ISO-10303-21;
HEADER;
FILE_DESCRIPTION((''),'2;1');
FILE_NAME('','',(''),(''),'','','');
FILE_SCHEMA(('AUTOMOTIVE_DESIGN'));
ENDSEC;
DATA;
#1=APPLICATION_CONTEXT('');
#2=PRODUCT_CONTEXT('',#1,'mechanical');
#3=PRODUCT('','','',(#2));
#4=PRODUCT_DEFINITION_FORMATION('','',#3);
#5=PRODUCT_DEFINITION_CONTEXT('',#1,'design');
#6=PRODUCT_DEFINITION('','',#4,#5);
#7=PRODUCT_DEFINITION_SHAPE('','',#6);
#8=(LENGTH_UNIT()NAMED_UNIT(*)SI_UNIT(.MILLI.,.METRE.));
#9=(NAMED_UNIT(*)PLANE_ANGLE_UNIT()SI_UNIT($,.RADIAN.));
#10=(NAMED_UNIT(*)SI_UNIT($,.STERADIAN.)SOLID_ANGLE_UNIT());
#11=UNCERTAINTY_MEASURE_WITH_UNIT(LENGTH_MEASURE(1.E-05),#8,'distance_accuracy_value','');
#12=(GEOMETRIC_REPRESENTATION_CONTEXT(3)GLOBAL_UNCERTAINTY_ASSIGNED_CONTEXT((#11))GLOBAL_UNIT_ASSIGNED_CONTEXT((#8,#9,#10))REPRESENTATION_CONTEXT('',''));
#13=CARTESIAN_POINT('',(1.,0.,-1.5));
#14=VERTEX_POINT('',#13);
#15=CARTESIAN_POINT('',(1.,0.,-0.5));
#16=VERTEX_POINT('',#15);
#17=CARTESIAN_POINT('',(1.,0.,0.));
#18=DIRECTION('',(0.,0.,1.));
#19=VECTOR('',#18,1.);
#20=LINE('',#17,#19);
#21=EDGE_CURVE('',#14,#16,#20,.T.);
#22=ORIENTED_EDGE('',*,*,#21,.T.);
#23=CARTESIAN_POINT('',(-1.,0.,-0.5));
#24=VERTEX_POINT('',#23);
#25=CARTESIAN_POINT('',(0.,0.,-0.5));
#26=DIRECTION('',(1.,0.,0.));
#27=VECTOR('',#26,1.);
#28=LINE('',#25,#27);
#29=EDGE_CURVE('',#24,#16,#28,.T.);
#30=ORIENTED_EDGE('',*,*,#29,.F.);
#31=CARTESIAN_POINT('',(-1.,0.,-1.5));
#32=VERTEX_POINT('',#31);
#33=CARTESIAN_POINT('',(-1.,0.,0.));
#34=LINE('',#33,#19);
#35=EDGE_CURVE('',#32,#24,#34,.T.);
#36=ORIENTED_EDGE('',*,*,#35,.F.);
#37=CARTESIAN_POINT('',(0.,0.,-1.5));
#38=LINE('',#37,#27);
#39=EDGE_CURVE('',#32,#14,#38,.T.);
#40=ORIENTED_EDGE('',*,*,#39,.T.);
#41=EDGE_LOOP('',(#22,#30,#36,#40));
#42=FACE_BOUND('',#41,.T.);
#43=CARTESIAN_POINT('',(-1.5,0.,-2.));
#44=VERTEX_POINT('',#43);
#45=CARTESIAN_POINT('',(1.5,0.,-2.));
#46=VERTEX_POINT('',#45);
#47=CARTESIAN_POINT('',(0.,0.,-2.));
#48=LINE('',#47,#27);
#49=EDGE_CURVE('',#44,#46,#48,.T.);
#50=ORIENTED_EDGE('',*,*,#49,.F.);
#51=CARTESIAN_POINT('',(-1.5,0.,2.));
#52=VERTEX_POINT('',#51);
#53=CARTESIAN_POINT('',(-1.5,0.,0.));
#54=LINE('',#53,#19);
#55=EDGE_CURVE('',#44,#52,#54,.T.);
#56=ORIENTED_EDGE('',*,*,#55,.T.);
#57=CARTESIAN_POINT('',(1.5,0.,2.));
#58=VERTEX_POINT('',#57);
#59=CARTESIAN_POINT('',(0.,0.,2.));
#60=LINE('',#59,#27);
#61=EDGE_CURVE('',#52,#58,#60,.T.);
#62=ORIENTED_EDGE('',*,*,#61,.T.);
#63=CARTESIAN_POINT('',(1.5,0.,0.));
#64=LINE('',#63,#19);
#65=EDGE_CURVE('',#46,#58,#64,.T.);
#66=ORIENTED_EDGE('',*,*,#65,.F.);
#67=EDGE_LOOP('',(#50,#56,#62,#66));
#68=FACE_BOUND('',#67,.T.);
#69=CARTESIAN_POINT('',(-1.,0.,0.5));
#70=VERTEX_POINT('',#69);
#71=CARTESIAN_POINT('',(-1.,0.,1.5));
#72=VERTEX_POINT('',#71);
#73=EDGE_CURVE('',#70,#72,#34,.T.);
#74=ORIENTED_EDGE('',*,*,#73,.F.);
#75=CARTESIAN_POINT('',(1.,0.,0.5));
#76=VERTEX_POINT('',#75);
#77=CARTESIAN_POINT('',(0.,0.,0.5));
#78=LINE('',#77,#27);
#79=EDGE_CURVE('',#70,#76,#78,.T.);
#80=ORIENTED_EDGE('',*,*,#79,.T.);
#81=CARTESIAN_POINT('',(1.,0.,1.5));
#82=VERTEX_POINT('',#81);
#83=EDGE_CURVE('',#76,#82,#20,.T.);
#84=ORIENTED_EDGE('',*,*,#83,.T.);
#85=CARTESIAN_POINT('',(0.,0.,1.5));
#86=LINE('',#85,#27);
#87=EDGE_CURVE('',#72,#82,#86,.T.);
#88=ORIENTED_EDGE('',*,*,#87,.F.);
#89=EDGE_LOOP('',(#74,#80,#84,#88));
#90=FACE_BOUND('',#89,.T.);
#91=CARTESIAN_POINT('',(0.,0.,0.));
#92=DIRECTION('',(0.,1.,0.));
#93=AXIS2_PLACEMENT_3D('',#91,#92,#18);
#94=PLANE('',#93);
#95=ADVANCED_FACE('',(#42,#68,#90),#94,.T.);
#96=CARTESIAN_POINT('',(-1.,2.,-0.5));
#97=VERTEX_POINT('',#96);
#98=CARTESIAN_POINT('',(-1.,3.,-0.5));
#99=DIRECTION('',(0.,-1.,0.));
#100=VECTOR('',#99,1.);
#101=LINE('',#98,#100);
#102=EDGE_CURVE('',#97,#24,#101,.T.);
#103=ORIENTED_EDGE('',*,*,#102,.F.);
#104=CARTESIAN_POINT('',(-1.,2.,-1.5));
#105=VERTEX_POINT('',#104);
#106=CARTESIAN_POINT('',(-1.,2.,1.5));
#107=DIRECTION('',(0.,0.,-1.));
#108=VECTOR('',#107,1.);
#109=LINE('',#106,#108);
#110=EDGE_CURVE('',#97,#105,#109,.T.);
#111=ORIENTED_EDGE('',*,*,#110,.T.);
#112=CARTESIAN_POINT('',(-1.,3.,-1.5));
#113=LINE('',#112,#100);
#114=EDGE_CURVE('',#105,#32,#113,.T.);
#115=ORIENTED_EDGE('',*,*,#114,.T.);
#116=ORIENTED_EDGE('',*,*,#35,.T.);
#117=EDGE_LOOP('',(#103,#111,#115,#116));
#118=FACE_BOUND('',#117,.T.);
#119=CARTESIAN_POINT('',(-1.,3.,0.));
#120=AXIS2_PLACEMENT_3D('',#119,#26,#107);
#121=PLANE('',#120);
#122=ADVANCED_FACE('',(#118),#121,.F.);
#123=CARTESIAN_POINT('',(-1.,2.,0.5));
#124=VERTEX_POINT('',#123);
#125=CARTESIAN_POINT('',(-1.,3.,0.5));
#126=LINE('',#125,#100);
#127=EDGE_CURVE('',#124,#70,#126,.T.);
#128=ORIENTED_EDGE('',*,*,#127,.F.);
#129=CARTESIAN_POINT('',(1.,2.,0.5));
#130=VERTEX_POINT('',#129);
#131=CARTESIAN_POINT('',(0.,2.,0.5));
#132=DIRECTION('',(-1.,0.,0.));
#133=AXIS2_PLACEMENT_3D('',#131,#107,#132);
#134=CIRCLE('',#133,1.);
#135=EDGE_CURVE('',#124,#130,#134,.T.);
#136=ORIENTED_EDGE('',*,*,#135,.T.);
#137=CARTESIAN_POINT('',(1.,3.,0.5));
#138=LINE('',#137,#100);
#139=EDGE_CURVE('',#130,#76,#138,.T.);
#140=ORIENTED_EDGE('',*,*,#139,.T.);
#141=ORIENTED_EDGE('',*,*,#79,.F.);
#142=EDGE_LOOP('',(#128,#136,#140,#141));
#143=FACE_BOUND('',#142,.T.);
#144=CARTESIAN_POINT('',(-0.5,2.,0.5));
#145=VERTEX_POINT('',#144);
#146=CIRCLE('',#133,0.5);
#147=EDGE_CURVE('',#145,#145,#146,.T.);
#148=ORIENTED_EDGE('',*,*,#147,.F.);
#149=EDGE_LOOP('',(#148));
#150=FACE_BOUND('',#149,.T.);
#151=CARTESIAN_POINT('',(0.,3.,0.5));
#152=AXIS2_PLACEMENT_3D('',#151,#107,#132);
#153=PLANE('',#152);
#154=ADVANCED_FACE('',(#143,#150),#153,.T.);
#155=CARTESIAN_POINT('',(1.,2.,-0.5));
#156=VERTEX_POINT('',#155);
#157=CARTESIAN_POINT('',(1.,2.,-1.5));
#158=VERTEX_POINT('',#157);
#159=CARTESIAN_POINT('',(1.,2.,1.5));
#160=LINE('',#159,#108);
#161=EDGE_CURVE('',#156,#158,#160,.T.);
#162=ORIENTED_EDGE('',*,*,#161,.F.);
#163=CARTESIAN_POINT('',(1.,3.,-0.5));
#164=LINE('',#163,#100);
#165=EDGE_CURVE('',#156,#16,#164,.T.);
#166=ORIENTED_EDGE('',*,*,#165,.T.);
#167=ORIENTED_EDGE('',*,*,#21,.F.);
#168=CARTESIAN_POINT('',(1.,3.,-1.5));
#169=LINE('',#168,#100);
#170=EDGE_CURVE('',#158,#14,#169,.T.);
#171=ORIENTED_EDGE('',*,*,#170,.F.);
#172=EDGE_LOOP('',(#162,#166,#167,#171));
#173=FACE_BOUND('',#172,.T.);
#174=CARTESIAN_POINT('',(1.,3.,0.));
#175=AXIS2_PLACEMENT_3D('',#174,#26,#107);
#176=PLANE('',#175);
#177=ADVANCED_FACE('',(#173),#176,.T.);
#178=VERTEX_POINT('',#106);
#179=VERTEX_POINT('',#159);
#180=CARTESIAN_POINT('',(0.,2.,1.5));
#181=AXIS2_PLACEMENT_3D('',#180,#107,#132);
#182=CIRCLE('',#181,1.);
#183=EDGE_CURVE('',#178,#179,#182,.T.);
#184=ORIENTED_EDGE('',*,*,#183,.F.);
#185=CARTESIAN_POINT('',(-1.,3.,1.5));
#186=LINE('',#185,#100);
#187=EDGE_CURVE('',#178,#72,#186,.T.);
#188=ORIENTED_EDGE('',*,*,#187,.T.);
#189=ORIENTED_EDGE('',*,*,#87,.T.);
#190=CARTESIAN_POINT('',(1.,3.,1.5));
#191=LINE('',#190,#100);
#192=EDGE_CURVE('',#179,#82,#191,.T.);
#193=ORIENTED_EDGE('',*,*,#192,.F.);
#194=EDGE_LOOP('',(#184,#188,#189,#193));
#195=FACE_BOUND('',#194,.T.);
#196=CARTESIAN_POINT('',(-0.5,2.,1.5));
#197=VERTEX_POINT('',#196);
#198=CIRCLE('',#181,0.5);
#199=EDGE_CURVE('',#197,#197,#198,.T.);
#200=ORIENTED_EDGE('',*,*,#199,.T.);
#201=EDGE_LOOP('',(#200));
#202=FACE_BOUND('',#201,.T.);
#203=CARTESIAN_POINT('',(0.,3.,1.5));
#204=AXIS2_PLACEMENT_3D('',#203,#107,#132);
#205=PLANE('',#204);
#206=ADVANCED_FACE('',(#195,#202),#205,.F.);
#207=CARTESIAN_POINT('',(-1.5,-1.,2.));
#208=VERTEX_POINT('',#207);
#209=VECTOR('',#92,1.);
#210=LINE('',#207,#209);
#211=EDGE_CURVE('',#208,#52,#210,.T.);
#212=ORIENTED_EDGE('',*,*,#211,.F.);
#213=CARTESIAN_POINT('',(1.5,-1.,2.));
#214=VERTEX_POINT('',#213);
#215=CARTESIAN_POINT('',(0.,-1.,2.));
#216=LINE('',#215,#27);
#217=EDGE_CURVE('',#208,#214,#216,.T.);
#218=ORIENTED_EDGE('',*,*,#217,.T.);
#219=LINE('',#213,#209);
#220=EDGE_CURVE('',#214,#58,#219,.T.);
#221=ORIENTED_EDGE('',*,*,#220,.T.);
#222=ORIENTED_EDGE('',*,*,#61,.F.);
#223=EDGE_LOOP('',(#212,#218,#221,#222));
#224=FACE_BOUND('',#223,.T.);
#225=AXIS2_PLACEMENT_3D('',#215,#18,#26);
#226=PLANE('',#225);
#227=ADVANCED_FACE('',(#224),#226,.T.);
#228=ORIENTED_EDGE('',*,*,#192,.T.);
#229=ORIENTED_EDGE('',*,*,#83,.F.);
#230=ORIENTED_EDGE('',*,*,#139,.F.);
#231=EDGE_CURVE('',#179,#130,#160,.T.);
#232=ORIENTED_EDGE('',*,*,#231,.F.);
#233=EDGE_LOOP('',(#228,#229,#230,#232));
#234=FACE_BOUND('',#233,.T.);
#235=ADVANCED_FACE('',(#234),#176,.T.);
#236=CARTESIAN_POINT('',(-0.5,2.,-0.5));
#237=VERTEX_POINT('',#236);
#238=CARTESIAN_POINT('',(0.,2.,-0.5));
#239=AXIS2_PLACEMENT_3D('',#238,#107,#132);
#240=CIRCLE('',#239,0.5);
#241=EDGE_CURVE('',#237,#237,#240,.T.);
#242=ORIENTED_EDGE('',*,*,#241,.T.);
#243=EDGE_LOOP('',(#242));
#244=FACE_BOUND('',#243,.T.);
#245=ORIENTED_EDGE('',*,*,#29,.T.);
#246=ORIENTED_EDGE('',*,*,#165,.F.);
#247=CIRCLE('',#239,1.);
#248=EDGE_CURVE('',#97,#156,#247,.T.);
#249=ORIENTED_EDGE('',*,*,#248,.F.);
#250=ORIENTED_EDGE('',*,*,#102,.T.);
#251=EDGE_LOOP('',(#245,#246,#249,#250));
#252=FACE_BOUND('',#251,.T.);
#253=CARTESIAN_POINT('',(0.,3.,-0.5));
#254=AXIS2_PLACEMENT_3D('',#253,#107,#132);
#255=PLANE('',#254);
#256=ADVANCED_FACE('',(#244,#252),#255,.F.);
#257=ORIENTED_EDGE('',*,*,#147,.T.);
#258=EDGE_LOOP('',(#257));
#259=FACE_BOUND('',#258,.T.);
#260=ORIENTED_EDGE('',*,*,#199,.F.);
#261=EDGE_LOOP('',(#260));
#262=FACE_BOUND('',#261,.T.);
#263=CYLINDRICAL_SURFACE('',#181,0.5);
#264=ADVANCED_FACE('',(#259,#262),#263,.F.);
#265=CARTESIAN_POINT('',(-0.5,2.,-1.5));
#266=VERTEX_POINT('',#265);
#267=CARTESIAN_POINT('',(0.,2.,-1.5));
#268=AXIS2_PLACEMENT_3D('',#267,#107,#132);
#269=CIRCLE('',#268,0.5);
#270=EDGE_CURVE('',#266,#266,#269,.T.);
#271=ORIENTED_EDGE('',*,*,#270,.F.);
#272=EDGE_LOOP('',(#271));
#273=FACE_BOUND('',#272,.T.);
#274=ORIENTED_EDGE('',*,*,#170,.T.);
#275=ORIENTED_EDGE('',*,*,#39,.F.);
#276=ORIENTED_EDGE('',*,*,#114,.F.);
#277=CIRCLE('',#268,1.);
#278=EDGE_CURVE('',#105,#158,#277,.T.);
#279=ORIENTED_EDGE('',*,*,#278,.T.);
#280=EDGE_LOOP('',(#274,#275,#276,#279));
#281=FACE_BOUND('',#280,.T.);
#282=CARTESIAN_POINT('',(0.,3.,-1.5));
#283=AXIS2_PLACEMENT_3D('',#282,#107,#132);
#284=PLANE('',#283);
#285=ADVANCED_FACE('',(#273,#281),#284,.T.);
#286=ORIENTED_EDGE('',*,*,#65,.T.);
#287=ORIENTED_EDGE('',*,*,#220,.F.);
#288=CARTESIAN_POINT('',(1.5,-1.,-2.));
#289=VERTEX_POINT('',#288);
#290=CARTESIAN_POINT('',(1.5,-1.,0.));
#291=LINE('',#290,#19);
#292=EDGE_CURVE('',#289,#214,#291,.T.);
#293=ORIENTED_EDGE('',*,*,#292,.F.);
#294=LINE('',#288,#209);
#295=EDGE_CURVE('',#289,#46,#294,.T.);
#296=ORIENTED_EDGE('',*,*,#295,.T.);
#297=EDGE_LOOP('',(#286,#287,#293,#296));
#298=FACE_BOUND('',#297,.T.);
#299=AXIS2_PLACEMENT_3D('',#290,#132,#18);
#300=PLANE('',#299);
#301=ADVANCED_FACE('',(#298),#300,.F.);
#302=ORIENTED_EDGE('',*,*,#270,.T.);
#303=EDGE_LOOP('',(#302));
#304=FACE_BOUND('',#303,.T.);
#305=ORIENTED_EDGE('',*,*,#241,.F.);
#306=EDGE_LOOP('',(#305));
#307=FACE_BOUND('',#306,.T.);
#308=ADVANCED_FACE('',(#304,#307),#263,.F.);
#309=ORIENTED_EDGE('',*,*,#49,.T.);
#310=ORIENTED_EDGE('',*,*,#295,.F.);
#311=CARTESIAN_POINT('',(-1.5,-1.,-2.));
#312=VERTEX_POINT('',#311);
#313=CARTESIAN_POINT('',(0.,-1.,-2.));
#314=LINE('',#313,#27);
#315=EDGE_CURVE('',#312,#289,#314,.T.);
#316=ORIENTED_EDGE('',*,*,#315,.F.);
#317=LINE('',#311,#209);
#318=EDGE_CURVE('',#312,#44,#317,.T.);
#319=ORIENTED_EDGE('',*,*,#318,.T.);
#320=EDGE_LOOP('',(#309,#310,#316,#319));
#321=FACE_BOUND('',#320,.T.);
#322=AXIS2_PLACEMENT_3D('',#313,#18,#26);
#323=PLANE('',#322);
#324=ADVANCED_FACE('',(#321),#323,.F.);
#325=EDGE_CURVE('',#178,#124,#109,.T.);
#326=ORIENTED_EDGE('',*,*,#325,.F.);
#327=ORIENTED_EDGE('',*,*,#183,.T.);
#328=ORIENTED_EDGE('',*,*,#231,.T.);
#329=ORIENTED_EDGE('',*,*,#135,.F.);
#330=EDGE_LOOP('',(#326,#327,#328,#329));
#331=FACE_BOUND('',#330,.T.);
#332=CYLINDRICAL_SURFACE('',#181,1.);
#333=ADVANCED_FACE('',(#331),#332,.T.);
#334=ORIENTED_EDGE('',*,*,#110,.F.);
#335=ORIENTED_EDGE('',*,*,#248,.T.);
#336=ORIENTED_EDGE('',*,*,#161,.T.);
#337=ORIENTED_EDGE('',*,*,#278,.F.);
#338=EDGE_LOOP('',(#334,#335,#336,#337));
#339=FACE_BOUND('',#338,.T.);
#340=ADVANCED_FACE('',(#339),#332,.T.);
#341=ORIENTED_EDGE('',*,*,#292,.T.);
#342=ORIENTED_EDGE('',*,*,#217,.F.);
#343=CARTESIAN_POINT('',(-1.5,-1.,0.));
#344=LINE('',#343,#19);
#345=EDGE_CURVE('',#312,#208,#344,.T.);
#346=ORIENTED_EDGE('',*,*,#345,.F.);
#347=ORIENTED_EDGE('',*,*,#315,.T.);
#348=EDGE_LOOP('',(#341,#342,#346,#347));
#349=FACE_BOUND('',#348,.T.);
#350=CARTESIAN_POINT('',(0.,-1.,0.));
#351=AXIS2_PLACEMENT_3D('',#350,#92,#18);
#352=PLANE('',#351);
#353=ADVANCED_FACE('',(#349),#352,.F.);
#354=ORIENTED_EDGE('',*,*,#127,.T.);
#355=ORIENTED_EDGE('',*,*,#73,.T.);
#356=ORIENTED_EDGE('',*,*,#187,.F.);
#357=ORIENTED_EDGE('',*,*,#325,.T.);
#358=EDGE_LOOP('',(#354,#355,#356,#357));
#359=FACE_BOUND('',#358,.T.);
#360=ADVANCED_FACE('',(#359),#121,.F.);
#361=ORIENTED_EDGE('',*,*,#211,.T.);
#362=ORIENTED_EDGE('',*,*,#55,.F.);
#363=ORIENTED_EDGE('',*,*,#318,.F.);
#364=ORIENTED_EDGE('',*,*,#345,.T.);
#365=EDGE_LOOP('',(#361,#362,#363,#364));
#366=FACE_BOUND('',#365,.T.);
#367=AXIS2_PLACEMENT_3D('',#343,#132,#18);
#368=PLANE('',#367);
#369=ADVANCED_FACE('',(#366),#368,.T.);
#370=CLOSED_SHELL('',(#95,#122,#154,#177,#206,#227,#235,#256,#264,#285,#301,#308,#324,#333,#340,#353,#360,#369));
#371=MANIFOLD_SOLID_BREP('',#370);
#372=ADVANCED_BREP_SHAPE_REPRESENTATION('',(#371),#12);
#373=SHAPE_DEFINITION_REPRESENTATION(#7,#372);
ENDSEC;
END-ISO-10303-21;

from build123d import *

# Parameters (mm, degrees)
SKETCH1_W           = 3
SKETCH1_H           = 4
BOSS_EXTRUDE1_DEPTH = 1
SKETCH1_3_W         = 2
SKETCH1_3_H         = 1
BOSS_EXTRUDE2_DEPTH = 3
SKETCH2_R           = 0.5
CUT_EXTRUDE1_DEPTH  = 3


with BuildPart() as part:
    # Sketch1 → Boss-Extrude1 (new body)
    with BuildSketch(Plane(origin=(0, 0, 0), x_dir=(1, 0, 0), z_dir=(0, 1, 0))):
        Rectangle(SKETCH1_W, SKETCH1_H)
    extrude(amount=-BOSS_EXTRUDE1_DEPTH)

    # Sketch1<3> → Boss-Extrude2 (add)
    with BuildSketch(Plane(origin=(0, 0, 0), x_dir=(1, 0, 0), z_dir=(0, 1, 0))):
        with Locations((0, 1)):
            Rectangle(SKETCH1_3_W, SKETCH1_3_H)
        with Locations((0, -1)):
            Rectangle(SKETCH1_3_W, SKETCH1_3_H)
    extrude(amount=BOSS_EXTRUDE2_DEPTH)

    # Sketch2 → Cut-Extrude1 (cut)
    with BuildSketch(Plane(origin=(0, 0, -1.5), x_dir=(-1, 0, 0), z_dir=(0, 0, -1))):
        with BuildLine():
            Line((-1, 3), (-1, 2))
            ThreePointArc((-1, 2), (-0.707106781, 2.707106781), (0, 3))
            Line((0, 3), (-1, 3))
        make_face()
        with BuildLine():
            ThreePointArc((0, 3), (0.707106781, 2.707106781), (1, 2))
            Line((1, 2), (1, 3))
            Line((1, 3), (0, 3))
        make_face()
        with Locations((0, 2)):
            Circle(SKETCH2_R)
    extrude(amount=-CUT_EXTRUDE1_DEPTH, mode=Mode.SUBTRACT)


solid = part.part
